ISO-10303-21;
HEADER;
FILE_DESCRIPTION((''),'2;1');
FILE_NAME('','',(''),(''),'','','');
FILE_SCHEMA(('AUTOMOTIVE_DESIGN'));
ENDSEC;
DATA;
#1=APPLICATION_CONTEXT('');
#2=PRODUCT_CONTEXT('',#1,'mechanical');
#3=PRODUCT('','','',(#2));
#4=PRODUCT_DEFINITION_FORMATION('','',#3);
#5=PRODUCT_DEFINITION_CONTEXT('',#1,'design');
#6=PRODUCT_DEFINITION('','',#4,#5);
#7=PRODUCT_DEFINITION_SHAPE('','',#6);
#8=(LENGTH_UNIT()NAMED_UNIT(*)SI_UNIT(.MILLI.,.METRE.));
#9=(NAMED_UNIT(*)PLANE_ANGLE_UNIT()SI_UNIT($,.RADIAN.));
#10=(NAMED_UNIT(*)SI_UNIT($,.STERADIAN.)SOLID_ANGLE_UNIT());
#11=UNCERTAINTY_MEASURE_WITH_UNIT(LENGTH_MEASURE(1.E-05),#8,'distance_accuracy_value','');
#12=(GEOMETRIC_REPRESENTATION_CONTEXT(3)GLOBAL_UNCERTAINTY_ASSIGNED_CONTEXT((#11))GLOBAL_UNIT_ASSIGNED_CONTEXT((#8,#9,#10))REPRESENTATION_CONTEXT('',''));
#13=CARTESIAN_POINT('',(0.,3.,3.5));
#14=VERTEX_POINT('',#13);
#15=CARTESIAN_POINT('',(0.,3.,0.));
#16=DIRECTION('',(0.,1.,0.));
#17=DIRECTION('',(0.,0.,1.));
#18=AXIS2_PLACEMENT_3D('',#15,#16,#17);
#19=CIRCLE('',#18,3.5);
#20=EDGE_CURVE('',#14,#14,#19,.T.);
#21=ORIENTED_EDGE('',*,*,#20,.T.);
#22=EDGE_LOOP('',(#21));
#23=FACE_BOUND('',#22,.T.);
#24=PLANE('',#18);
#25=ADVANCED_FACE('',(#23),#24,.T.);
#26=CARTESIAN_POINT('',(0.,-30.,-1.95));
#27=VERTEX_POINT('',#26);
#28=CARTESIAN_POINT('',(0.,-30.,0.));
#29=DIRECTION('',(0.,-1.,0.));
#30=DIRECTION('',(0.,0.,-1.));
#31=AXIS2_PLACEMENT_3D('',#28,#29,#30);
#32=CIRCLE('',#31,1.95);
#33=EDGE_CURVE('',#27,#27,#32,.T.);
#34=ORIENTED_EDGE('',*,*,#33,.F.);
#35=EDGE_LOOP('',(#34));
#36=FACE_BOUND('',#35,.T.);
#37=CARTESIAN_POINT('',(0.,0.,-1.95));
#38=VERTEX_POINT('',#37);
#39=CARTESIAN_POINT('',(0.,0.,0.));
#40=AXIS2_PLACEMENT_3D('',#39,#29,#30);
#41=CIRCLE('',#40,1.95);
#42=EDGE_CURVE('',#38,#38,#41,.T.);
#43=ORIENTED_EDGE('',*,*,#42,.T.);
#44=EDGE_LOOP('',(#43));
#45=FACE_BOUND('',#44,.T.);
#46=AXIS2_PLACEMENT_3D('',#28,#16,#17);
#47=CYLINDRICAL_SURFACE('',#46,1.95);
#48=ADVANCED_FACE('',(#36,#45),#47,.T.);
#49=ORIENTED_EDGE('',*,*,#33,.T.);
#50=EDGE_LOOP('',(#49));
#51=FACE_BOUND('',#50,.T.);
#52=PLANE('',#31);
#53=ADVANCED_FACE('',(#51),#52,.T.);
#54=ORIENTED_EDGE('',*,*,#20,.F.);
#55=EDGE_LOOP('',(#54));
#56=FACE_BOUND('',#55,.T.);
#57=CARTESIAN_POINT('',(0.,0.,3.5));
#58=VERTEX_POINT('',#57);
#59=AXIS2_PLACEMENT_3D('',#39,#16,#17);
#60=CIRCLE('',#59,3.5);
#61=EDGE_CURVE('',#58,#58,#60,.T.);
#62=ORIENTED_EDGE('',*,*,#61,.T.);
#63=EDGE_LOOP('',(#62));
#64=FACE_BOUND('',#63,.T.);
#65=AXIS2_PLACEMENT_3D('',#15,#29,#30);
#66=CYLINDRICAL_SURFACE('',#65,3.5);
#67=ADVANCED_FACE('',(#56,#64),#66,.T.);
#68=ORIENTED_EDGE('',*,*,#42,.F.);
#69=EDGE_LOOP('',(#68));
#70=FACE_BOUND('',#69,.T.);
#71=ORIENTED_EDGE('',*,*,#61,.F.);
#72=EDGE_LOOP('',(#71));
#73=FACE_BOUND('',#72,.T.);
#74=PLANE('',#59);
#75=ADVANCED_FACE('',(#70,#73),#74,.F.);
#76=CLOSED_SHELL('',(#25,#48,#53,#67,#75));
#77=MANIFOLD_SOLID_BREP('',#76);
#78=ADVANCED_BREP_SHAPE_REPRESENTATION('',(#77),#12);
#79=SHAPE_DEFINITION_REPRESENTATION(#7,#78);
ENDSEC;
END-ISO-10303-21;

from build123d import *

# Parameters (mm, degrees)
SKETCH1_R           = 3.5
BOSS_EXTRUDE1_DEPTH = 3
SKETCH2_R           = 1.95
BOSS_EXTRUDE2_DEPTH = 30


with BuildPart() as part:
    # Sketch1 → Boss-Extrude1 (new body)
    with BuildSketch(Plane(origin=(0, 0, 0), x_dir=(1, 0, 0), z_dir=(0, 1, 0))):
        Circle(SKETCH1_R)
    extrude(amount=BOSS_EXTRUDE1_DEPTH)

    # Sketch2 → Boss-Extrude2 (add)
    with BuildSketch(Plane.XZ):
        Circle(SKETCH2_R)
    extrude(amount=BOSS_EXTRUDE2_DEPTH)


solid = part.part
